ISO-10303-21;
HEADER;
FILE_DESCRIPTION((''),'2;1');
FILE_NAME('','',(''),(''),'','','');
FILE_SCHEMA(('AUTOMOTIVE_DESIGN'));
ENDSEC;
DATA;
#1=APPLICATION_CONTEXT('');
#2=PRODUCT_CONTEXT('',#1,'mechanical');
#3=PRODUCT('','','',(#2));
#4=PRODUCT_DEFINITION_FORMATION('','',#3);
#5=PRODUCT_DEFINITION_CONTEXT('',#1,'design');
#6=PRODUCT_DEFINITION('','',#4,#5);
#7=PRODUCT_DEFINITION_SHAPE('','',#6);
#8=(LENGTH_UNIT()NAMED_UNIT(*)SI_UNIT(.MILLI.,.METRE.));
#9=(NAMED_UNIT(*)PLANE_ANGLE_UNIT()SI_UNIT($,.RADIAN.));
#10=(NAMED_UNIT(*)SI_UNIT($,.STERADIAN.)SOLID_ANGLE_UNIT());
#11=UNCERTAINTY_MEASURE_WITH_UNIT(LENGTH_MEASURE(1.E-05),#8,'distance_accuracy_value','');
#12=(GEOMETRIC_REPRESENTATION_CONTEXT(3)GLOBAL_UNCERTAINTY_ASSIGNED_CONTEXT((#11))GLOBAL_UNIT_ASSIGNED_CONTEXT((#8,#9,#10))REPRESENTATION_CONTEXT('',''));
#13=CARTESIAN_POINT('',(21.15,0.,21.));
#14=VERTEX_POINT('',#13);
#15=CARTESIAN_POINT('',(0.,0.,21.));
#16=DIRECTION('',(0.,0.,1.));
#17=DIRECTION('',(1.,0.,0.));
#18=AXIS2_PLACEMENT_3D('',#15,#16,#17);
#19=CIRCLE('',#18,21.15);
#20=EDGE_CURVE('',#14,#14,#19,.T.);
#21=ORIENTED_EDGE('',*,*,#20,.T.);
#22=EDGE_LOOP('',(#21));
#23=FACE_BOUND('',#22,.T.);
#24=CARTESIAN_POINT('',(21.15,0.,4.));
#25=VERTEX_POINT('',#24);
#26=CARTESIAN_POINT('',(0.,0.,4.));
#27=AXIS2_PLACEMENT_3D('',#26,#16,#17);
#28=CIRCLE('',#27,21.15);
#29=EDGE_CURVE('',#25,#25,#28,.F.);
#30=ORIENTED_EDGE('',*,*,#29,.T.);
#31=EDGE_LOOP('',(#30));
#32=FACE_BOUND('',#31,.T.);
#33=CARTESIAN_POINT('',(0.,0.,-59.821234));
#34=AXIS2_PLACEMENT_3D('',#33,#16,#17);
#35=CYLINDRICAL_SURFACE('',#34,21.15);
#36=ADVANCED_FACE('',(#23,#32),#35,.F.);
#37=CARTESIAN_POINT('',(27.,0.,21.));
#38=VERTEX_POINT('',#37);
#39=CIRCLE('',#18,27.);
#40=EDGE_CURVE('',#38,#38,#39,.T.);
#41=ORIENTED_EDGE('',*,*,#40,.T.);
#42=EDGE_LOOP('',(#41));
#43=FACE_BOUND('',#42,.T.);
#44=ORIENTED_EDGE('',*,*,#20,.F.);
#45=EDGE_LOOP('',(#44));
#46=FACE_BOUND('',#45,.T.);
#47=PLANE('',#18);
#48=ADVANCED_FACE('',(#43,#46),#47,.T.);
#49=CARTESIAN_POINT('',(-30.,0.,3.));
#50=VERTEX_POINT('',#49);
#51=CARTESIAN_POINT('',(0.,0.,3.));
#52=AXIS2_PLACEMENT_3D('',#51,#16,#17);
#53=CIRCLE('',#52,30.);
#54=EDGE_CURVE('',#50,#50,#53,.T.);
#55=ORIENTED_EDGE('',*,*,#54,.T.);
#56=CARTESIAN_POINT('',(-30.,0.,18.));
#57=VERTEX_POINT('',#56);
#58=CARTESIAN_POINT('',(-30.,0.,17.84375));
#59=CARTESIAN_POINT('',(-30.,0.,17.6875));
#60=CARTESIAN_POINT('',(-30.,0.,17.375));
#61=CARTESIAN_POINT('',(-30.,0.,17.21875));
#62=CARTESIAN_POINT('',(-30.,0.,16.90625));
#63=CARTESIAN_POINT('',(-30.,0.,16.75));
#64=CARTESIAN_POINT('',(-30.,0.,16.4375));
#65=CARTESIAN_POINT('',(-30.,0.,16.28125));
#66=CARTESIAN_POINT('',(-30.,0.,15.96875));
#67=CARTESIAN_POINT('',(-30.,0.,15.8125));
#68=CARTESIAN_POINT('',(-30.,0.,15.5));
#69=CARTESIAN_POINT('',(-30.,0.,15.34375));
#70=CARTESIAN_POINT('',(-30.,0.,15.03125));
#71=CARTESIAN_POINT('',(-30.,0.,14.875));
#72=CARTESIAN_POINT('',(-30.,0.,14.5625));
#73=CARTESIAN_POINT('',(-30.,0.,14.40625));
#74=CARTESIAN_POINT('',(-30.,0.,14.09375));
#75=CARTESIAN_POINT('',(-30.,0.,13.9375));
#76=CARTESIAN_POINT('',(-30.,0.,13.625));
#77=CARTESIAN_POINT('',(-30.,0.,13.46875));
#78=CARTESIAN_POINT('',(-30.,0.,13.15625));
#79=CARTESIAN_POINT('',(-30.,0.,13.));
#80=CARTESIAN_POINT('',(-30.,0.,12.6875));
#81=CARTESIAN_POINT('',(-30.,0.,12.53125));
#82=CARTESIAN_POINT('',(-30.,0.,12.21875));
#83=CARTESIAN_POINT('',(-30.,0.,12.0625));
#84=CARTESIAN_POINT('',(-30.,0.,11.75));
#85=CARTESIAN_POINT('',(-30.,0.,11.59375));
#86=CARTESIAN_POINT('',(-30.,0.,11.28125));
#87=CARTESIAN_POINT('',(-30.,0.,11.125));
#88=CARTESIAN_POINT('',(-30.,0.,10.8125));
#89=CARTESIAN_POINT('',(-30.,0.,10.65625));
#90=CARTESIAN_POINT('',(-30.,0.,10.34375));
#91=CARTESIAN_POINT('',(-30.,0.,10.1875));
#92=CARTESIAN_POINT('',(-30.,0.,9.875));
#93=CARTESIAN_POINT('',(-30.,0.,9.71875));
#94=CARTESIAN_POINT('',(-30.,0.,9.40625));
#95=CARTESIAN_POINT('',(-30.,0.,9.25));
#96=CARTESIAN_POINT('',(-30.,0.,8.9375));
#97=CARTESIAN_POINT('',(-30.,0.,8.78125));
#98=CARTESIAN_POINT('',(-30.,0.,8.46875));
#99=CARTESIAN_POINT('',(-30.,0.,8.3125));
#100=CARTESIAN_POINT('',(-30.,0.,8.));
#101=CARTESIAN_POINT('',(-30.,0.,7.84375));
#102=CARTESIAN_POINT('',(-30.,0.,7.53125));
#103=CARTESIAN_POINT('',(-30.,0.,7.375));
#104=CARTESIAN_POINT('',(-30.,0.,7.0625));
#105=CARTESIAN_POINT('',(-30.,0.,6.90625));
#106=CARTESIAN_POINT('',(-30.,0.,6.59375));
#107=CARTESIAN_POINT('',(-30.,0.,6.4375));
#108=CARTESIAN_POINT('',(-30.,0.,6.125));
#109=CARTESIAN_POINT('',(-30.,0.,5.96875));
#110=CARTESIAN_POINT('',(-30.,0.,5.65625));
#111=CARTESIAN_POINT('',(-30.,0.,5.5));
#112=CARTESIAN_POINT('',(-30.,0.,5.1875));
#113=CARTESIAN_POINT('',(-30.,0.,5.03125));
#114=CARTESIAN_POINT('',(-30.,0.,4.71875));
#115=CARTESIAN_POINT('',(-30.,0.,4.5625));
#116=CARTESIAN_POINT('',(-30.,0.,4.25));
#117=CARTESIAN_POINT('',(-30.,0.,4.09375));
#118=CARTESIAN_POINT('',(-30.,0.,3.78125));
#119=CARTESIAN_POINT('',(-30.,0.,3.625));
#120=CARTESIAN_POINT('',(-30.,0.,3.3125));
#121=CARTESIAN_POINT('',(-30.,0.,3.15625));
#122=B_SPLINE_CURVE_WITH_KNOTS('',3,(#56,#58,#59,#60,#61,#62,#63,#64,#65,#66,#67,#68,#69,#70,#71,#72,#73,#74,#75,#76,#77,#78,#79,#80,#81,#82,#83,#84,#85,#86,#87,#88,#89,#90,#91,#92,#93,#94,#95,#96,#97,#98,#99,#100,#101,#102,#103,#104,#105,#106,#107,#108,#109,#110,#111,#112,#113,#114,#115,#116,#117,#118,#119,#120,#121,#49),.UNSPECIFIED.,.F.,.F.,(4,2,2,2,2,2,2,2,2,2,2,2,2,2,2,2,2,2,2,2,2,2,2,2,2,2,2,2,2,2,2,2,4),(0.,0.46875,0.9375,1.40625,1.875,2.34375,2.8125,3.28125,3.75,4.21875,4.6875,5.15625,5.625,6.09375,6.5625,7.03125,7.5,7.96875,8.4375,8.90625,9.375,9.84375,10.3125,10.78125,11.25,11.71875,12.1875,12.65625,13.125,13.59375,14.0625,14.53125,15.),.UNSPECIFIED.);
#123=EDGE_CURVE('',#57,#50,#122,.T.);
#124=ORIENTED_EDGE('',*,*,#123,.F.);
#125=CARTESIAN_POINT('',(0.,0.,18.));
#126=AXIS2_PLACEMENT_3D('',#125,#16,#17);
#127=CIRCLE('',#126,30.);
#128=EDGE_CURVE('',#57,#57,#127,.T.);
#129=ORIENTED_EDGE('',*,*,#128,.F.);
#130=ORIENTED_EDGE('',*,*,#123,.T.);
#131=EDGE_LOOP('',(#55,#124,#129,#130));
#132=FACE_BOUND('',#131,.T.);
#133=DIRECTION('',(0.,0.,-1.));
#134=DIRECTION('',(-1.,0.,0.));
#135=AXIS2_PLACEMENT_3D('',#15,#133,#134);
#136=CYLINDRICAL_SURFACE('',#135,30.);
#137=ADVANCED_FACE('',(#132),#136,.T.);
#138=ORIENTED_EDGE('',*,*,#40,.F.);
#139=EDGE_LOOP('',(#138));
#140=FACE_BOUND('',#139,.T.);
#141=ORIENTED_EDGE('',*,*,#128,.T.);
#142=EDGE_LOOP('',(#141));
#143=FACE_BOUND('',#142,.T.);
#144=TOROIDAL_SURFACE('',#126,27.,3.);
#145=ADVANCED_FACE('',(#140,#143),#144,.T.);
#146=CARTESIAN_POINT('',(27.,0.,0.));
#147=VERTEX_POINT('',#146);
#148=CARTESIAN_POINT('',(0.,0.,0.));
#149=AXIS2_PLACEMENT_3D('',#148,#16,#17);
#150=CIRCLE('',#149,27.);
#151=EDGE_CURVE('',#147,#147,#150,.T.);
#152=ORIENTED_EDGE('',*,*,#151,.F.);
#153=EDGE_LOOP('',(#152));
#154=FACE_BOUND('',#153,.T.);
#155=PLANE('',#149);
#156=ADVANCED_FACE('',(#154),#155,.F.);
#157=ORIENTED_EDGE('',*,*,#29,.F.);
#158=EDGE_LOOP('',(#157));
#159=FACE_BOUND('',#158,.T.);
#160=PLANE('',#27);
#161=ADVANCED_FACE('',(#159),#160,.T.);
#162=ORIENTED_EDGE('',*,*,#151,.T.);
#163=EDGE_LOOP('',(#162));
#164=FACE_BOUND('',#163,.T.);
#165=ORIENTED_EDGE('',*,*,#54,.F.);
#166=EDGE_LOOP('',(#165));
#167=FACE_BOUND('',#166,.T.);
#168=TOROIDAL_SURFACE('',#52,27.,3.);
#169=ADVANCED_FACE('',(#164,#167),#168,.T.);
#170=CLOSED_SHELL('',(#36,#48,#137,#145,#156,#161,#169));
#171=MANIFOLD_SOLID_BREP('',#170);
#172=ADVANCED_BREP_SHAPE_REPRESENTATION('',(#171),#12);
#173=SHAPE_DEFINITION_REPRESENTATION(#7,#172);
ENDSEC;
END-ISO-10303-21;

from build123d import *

# Parameters (mm, degrees)
SKETCH_1_R          = 30
EXTRUDE_1_DEPTH     = 21
SKETCH_2_R          = 21.15
CUT_EXTRUDE_1_DEPTH = 17


with BuildPart() as part:
    # 草图1 → 凸台-拉伸1 (new body)
    with BuildSketch(Plane.XY):
        with Locations(Location((0, 0, 0), (0, 0, 180))):
            Circle(SKETCH_1_R)
    extrude(amount=EXTRUDE_1_DEPTH)

    # 草图2 → 切除-拉伸1 (cut)
    with BuildSketch(Plane.XY.offset(21)):
        Circle(SKETCH_2_R)
    extrude(amount=-CUT_EXTRUDE_1_DEPTH, mode=Mode.SUBTRACT)

    # 草图4 → 切除-旋转1 (revolve, cut)
    with BuildSketch(Plane(origin=(0, 0, 0), x_dir=(1, 0, 0), z_dir=(0, 1, 0)), mode=Mode.PRIVATE) as cut_revolve_1_sk:
        with BuildLine():
            ThreePointArc((-27, 0), (-29.121320344, -0.878679656), (-30, -3))
            Line((-30, -3), (-30, 0))
            Line((-30, 0), (-27, 0))
        make_face()
        with BuildLine():
            ThreePointArc((-30, -18), (-29.121320344, -20.121320344), (-27, -21))
            Line((-27, -21), (-30, -21))
            Line((-30, -21), (-30, -18))
        make_face()
    revolve(cut_revolve_1_sk.sketch.rotate(Axis((0, 0, 0), (0, 0, -1)), 180), axis=Axis((0, 0, 0), (0, 0, -1)), mode=Mode.SUBTRACT)


solid = part.part
